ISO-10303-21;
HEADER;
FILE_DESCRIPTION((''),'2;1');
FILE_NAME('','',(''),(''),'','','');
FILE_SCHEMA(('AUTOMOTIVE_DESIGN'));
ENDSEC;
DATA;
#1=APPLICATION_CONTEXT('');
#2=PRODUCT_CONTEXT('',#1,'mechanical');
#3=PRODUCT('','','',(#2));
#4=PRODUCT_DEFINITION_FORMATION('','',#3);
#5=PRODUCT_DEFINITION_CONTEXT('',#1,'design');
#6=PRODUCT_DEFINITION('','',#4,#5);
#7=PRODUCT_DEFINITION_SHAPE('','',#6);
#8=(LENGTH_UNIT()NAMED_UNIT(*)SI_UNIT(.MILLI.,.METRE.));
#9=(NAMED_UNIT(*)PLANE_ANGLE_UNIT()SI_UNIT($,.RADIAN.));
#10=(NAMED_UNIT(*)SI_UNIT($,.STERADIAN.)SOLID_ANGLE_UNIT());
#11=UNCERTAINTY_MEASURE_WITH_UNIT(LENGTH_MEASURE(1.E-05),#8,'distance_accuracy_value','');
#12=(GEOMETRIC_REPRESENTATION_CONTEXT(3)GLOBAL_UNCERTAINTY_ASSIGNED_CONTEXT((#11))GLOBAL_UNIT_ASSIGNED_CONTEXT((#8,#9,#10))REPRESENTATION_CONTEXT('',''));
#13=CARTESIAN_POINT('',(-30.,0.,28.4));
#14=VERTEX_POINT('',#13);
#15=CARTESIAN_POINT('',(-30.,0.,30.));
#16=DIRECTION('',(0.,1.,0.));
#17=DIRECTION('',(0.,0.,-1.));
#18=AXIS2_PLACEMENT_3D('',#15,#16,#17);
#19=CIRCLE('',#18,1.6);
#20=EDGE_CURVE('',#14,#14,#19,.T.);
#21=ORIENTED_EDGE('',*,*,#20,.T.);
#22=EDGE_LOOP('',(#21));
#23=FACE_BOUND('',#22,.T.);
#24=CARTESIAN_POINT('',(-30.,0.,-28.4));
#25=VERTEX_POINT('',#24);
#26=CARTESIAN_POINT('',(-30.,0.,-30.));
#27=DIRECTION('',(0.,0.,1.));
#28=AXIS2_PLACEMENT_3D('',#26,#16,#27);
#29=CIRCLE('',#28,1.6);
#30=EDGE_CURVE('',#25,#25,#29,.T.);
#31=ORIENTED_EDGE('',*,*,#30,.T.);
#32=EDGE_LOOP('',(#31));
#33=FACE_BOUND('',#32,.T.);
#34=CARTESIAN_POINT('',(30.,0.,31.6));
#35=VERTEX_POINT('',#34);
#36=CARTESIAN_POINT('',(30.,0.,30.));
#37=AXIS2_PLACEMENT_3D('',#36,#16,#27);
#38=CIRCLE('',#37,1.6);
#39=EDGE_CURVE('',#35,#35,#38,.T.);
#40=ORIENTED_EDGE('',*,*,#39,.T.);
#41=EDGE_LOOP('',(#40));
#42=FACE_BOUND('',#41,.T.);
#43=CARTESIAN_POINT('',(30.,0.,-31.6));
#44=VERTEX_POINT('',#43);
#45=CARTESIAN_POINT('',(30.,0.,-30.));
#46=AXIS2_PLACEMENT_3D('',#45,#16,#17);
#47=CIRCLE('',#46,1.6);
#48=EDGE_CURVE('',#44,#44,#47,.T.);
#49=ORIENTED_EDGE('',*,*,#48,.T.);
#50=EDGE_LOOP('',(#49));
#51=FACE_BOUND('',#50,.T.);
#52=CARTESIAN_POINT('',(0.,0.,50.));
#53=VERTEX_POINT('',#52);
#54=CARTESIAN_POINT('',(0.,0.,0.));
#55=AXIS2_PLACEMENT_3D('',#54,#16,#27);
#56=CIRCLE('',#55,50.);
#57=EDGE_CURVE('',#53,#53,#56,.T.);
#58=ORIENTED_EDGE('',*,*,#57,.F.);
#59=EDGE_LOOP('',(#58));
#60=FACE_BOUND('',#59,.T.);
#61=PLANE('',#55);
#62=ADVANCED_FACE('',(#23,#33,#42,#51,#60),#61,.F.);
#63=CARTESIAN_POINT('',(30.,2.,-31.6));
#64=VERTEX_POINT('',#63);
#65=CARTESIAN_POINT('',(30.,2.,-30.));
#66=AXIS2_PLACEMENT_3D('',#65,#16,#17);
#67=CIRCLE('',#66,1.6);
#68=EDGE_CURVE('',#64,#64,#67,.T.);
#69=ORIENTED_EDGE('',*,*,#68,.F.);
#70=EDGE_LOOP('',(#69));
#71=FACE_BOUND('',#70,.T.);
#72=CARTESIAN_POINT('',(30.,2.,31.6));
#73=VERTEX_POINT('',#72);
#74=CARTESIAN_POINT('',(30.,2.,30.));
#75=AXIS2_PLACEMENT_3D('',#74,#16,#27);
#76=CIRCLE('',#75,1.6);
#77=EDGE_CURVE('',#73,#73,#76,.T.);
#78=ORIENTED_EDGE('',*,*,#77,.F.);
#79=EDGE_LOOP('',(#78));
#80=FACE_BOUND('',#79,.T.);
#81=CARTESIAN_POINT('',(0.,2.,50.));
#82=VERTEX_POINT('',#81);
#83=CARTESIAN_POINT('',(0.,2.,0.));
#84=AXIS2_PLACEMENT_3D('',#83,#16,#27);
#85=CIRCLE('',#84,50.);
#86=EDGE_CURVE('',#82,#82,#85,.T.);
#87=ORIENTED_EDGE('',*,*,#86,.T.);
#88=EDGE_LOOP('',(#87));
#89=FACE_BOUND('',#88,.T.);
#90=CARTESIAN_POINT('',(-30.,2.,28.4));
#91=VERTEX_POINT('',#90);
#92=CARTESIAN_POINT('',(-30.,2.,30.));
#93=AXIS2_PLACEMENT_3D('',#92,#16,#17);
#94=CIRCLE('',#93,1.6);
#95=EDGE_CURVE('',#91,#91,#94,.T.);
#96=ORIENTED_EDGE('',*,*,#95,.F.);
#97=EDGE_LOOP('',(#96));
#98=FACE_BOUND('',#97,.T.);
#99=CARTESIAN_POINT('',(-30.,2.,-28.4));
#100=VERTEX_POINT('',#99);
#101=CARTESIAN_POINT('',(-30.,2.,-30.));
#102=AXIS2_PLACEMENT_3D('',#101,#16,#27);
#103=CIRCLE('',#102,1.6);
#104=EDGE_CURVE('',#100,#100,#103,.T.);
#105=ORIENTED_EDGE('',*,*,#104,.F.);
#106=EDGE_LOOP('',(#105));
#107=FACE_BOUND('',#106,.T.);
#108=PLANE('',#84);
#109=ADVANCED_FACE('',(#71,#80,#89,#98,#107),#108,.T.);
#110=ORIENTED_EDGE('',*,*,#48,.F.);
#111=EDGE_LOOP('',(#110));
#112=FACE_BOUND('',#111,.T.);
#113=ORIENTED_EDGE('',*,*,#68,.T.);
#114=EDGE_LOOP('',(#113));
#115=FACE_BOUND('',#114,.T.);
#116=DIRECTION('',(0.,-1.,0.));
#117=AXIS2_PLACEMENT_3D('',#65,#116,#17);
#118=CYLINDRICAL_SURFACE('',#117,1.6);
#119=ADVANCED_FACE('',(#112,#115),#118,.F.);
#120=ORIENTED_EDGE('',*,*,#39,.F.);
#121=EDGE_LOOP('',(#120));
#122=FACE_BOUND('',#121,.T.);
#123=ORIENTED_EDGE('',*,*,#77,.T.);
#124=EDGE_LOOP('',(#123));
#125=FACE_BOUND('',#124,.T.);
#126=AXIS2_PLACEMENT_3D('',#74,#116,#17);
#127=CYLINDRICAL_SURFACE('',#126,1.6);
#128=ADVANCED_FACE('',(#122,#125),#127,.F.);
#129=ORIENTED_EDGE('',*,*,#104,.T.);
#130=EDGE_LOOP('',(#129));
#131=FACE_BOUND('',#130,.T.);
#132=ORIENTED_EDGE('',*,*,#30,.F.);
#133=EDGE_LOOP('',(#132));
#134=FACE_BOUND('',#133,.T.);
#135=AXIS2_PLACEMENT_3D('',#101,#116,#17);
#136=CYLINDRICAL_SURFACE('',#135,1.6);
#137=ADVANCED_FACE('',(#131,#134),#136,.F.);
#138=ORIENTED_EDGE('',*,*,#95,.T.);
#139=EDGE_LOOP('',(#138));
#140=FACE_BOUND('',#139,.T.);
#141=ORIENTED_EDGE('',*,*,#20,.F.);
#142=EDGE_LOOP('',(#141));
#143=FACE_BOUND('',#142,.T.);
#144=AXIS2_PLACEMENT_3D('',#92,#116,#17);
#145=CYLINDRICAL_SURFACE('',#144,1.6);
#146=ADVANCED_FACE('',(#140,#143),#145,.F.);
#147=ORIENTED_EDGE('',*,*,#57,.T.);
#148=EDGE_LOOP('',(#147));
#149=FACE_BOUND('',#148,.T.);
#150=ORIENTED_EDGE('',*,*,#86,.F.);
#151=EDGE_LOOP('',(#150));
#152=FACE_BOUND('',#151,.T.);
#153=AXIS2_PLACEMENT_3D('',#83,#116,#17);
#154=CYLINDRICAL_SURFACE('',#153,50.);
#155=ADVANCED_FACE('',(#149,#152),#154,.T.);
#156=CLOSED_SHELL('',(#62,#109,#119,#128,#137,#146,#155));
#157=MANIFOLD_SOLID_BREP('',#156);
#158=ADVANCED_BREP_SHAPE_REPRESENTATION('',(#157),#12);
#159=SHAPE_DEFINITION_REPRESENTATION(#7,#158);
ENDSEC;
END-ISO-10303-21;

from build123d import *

# Parameters (mm, degrees)
ESQUISSE1_R        = 50
ESQUISSE1_R_2      = 1.6
BOSS_EXTRU_1_DEPTH = 2


with BuildPart() as part:
    # Esquisse1 → Boss.-Extru.1 (new body)
    with BuildSketch(Plane(origin=(0, 0, 0), x_dir=(1, 0, 0), z_dir=(0, 1, 0))):
        with Locations(Location((0, 0, 0), (0, 0, 270))):
            Circle(ESQUISSE1_R)
        with Locations(Location((-30, 30, 0), (0, 0, 270))):
            Circle(ESQUISSE1_R_2, mode=Mode.SUBTRACT)
        with Locations(Location((30, 30, 0), (0, 0, 90))):
            Circle(ESQUISSE1_R_2, mode=Mode.SUBTRACT)
        with Locations(Location((30, -30, 0), (0, 0, 270))):
            Circle(ESQUISSE1_R_2, mode=Mode.SUBTRACT)
        with Locations(Location((-30, -30, 0), (0, 0, 90))):
            Circle(ESQUISSE1_R_2, mode=Mode.SUBTRACT)
    extrude(amount=BOSS_EXTRU_1_DEPTH)


solid = part.part
